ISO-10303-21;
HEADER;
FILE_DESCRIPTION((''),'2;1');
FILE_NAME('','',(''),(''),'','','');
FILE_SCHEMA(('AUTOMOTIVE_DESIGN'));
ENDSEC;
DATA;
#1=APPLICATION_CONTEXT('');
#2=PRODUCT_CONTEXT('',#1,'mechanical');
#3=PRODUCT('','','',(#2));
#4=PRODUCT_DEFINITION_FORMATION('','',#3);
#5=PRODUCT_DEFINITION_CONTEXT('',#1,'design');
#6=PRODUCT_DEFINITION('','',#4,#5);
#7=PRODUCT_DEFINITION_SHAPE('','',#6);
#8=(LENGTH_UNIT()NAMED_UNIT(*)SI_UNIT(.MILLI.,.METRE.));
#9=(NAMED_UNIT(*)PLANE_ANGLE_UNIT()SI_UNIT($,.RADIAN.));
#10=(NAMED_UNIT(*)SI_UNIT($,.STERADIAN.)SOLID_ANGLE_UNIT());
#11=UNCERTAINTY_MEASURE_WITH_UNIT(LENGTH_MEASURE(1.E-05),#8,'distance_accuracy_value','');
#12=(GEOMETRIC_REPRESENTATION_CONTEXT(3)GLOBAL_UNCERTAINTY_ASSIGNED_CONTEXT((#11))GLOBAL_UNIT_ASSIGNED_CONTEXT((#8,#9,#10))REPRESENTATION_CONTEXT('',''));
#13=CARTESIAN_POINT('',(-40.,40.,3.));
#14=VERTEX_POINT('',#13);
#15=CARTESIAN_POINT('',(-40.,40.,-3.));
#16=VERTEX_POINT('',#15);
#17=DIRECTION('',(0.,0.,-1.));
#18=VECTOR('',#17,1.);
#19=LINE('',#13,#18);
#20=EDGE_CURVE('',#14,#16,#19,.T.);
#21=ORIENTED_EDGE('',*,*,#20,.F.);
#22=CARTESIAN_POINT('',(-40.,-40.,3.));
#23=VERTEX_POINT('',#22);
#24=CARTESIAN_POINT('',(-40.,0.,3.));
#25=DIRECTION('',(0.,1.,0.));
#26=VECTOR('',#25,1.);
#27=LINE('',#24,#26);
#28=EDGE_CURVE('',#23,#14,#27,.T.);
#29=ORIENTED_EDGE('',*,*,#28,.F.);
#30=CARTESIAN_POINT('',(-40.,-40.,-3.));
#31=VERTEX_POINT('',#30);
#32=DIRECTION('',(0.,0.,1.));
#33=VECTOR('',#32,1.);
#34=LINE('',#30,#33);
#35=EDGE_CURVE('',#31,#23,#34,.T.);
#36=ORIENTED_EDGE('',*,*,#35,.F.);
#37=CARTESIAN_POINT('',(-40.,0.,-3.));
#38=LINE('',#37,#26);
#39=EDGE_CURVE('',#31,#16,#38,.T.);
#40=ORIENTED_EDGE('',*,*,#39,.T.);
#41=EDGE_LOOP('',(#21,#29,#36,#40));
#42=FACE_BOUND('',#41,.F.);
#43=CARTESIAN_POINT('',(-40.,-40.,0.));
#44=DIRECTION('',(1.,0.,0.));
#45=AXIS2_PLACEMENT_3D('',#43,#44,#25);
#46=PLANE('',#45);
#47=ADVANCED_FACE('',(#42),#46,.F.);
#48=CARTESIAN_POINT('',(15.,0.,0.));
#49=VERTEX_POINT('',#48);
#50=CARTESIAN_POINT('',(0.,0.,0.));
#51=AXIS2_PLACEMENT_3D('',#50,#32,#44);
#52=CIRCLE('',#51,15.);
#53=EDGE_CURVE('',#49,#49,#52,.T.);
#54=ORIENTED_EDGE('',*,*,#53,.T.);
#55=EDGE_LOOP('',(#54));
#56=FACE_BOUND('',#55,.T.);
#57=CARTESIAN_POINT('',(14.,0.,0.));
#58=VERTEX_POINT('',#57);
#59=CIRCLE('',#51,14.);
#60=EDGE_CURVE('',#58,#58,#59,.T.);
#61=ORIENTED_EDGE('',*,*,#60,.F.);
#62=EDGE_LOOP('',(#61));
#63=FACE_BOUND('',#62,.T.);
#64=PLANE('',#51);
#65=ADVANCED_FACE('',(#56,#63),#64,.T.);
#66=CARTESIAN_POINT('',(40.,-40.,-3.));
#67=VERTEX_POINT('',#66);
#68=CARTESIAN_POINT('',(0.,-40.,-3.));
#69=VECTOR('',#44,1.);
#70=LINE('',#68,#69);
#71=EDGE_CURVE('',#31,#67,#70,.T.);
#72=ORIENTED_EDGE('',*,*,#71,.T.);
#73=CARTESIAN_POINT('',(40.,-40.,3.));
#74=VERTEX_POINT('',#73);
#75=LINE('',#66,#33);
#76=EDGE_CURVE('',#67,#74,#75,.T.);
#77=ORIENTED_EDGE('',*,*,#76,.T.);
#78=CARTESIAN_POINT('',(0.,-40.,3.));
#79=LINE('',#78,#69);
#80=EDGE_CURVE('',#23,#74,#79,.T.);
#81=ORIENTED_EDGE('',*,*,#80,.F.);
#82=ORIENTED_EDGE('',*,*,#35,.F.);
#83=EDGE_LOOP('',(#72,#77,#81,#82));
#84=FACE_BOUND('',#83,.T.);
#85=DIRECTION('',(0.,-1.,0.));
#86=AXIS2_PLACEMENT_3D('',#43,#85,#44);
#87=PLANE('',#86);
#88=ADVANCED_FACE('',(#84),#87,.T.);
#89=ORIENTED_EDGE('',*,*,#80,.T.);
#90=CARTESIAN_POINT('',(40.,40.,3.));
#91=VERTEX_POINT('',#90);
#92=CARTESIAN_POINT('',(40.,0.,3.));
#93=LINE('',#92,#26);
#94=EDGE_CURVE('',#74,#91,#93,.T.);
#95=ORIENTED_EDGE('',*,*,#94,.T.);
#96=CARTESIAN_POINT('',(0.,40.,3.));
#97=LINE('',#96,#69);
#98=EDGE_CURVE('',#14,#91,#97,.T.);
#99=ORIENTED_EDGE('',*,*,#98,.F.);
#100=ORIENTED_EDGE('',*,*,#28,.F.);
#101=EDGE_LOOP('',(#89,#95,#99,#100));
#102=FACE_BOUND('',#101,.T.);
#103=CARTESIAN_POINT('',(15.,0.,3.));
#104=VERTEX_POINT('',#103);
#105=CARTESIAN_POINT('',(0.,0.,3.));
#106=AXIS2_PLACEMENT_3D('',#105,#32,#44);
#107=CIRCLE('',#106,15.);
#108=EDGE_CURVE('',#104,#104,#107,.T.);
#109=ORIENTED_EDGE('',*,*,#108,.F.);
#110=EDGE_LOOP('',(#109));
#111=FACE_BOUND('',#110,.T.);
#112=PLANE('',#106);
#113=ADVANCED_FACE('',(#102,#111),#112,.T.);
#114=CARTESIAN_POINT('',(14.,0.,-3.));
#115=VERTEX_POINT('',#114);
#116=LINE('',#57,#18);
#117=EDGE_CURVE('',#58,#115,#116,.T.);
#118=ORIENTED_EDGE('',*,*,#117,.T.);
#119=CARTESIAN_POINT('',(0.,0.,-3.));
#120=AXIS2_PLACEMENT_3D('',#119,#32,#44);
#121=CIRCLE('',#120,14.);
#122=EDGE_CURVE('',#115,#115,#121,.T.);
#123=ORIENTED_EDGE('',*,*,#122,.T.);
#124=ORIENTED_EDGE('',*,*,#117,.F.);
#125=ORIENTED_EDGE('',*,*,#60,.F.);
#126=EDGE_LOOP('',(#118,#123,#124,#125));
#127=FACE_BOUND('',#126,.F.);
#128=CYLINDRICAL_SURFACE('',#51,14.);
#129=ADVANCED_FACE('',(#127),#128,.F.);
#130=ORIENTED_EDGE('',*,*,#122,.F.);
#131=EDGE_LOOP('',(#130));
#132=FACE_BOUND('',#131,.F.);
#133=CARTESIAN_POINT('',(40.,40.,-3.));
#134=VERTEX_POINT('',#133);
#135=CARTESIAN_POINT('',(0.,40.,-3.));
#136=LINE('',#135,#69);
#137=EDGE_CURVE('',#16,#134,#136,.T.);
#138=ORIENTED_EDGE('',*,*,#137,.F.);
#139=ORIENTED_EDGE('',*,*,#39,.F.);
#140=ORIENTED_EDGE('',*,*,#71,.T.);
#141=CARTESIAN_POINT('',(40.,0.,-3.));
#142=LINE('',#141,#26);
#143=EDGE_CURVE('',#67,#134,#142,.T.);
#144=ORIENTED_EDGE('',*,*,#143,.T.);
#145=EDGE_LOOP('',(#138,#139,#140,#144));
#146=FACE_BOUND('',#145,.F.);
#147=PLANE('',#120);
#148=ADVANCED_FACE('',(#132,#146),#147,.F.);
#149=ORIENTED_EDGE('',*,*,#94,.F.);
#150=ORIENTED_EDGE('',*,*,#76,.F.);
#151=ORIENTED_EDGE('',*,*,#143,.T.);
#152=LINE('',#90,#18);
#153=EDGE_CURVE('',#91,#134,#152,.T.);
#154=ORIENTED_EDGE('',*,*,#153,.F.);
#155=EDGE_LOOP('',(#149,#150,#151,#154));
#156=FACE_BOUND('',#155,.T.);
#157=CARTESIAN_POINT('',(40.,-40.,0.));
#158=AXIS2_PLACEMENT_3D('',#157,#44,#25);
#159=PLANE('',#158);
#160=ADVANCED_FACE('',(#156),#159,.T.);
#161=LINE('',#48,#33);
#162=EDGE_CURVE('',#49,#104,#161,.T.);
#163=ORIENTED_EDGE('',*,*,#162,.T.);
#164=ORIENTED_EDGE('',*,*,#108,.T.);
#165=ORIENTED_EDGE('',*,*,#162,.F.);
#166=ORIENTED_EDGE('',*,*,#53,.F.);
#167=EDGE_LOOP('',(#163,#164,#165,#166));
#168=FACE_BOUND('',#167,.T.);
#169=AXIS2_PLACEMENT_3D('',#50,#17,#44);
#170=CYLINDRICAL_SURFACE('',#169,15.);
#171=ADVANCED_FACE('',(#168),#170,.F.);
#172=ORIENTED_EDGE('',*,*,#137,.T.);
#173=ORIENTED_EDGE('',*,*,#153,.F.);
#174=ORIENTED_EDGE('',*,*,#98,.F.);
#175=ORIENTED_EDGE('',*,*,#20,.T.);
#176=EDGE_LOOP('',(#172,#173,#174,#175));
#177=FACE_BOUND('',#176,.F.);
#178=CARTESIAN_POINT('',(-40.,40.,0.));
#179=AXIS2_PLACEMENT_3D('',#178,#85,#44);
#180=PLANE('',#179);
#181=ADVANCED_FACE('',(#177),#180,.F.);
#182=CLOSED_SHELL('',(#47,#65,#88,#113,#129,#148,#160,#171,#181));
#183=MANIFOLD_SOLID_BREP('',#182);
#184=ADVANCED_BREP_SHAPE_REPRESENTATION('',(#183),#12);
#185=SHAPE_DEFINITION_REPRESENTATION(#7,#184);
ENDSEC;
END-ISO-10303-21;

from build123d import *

# Parameters (mm, degrees)
F0_W      = 80
F0_H      = 80
F0_R      = 15
F1_DEPTH  = 3
F0_R_2    = 14
F1_FACE_W = 80
F1_FACE_H = 80
F1_FACE_R = 15
F2_DEPTH  = 3


with BuildPart() as f1:
    # F0 (on Top) → F1 (new body)
    with BuildSketch(Plane.XY):
        Rectangle(F0_W, F0_H)
        Circle(F0_R, mode=Mode.SUBTRACT)
    extrude(amount=F1_DEPTH)

    # F0 (on Top) + F1_face (on face) → F2 (join)
    with BuildSketch(Plane.XY):
        Rectangle(F0_W, F0_H)
        Circle(F0_R, mode=Mode.SUBTRACT)
        Circle(F0_R)
        Circle(F0_R_2, mode=Mode.SUBTRACT)
    with BuildSketch(Plane.XY.offset(3)):
        Rectangle(F1_FACE_W, F1_FACE_H)
        Circle(F1_FACE_R, mode=Mode.SUBTRACT)
    extrude(amount=-F2_DEPTH)


solid = f1.part
